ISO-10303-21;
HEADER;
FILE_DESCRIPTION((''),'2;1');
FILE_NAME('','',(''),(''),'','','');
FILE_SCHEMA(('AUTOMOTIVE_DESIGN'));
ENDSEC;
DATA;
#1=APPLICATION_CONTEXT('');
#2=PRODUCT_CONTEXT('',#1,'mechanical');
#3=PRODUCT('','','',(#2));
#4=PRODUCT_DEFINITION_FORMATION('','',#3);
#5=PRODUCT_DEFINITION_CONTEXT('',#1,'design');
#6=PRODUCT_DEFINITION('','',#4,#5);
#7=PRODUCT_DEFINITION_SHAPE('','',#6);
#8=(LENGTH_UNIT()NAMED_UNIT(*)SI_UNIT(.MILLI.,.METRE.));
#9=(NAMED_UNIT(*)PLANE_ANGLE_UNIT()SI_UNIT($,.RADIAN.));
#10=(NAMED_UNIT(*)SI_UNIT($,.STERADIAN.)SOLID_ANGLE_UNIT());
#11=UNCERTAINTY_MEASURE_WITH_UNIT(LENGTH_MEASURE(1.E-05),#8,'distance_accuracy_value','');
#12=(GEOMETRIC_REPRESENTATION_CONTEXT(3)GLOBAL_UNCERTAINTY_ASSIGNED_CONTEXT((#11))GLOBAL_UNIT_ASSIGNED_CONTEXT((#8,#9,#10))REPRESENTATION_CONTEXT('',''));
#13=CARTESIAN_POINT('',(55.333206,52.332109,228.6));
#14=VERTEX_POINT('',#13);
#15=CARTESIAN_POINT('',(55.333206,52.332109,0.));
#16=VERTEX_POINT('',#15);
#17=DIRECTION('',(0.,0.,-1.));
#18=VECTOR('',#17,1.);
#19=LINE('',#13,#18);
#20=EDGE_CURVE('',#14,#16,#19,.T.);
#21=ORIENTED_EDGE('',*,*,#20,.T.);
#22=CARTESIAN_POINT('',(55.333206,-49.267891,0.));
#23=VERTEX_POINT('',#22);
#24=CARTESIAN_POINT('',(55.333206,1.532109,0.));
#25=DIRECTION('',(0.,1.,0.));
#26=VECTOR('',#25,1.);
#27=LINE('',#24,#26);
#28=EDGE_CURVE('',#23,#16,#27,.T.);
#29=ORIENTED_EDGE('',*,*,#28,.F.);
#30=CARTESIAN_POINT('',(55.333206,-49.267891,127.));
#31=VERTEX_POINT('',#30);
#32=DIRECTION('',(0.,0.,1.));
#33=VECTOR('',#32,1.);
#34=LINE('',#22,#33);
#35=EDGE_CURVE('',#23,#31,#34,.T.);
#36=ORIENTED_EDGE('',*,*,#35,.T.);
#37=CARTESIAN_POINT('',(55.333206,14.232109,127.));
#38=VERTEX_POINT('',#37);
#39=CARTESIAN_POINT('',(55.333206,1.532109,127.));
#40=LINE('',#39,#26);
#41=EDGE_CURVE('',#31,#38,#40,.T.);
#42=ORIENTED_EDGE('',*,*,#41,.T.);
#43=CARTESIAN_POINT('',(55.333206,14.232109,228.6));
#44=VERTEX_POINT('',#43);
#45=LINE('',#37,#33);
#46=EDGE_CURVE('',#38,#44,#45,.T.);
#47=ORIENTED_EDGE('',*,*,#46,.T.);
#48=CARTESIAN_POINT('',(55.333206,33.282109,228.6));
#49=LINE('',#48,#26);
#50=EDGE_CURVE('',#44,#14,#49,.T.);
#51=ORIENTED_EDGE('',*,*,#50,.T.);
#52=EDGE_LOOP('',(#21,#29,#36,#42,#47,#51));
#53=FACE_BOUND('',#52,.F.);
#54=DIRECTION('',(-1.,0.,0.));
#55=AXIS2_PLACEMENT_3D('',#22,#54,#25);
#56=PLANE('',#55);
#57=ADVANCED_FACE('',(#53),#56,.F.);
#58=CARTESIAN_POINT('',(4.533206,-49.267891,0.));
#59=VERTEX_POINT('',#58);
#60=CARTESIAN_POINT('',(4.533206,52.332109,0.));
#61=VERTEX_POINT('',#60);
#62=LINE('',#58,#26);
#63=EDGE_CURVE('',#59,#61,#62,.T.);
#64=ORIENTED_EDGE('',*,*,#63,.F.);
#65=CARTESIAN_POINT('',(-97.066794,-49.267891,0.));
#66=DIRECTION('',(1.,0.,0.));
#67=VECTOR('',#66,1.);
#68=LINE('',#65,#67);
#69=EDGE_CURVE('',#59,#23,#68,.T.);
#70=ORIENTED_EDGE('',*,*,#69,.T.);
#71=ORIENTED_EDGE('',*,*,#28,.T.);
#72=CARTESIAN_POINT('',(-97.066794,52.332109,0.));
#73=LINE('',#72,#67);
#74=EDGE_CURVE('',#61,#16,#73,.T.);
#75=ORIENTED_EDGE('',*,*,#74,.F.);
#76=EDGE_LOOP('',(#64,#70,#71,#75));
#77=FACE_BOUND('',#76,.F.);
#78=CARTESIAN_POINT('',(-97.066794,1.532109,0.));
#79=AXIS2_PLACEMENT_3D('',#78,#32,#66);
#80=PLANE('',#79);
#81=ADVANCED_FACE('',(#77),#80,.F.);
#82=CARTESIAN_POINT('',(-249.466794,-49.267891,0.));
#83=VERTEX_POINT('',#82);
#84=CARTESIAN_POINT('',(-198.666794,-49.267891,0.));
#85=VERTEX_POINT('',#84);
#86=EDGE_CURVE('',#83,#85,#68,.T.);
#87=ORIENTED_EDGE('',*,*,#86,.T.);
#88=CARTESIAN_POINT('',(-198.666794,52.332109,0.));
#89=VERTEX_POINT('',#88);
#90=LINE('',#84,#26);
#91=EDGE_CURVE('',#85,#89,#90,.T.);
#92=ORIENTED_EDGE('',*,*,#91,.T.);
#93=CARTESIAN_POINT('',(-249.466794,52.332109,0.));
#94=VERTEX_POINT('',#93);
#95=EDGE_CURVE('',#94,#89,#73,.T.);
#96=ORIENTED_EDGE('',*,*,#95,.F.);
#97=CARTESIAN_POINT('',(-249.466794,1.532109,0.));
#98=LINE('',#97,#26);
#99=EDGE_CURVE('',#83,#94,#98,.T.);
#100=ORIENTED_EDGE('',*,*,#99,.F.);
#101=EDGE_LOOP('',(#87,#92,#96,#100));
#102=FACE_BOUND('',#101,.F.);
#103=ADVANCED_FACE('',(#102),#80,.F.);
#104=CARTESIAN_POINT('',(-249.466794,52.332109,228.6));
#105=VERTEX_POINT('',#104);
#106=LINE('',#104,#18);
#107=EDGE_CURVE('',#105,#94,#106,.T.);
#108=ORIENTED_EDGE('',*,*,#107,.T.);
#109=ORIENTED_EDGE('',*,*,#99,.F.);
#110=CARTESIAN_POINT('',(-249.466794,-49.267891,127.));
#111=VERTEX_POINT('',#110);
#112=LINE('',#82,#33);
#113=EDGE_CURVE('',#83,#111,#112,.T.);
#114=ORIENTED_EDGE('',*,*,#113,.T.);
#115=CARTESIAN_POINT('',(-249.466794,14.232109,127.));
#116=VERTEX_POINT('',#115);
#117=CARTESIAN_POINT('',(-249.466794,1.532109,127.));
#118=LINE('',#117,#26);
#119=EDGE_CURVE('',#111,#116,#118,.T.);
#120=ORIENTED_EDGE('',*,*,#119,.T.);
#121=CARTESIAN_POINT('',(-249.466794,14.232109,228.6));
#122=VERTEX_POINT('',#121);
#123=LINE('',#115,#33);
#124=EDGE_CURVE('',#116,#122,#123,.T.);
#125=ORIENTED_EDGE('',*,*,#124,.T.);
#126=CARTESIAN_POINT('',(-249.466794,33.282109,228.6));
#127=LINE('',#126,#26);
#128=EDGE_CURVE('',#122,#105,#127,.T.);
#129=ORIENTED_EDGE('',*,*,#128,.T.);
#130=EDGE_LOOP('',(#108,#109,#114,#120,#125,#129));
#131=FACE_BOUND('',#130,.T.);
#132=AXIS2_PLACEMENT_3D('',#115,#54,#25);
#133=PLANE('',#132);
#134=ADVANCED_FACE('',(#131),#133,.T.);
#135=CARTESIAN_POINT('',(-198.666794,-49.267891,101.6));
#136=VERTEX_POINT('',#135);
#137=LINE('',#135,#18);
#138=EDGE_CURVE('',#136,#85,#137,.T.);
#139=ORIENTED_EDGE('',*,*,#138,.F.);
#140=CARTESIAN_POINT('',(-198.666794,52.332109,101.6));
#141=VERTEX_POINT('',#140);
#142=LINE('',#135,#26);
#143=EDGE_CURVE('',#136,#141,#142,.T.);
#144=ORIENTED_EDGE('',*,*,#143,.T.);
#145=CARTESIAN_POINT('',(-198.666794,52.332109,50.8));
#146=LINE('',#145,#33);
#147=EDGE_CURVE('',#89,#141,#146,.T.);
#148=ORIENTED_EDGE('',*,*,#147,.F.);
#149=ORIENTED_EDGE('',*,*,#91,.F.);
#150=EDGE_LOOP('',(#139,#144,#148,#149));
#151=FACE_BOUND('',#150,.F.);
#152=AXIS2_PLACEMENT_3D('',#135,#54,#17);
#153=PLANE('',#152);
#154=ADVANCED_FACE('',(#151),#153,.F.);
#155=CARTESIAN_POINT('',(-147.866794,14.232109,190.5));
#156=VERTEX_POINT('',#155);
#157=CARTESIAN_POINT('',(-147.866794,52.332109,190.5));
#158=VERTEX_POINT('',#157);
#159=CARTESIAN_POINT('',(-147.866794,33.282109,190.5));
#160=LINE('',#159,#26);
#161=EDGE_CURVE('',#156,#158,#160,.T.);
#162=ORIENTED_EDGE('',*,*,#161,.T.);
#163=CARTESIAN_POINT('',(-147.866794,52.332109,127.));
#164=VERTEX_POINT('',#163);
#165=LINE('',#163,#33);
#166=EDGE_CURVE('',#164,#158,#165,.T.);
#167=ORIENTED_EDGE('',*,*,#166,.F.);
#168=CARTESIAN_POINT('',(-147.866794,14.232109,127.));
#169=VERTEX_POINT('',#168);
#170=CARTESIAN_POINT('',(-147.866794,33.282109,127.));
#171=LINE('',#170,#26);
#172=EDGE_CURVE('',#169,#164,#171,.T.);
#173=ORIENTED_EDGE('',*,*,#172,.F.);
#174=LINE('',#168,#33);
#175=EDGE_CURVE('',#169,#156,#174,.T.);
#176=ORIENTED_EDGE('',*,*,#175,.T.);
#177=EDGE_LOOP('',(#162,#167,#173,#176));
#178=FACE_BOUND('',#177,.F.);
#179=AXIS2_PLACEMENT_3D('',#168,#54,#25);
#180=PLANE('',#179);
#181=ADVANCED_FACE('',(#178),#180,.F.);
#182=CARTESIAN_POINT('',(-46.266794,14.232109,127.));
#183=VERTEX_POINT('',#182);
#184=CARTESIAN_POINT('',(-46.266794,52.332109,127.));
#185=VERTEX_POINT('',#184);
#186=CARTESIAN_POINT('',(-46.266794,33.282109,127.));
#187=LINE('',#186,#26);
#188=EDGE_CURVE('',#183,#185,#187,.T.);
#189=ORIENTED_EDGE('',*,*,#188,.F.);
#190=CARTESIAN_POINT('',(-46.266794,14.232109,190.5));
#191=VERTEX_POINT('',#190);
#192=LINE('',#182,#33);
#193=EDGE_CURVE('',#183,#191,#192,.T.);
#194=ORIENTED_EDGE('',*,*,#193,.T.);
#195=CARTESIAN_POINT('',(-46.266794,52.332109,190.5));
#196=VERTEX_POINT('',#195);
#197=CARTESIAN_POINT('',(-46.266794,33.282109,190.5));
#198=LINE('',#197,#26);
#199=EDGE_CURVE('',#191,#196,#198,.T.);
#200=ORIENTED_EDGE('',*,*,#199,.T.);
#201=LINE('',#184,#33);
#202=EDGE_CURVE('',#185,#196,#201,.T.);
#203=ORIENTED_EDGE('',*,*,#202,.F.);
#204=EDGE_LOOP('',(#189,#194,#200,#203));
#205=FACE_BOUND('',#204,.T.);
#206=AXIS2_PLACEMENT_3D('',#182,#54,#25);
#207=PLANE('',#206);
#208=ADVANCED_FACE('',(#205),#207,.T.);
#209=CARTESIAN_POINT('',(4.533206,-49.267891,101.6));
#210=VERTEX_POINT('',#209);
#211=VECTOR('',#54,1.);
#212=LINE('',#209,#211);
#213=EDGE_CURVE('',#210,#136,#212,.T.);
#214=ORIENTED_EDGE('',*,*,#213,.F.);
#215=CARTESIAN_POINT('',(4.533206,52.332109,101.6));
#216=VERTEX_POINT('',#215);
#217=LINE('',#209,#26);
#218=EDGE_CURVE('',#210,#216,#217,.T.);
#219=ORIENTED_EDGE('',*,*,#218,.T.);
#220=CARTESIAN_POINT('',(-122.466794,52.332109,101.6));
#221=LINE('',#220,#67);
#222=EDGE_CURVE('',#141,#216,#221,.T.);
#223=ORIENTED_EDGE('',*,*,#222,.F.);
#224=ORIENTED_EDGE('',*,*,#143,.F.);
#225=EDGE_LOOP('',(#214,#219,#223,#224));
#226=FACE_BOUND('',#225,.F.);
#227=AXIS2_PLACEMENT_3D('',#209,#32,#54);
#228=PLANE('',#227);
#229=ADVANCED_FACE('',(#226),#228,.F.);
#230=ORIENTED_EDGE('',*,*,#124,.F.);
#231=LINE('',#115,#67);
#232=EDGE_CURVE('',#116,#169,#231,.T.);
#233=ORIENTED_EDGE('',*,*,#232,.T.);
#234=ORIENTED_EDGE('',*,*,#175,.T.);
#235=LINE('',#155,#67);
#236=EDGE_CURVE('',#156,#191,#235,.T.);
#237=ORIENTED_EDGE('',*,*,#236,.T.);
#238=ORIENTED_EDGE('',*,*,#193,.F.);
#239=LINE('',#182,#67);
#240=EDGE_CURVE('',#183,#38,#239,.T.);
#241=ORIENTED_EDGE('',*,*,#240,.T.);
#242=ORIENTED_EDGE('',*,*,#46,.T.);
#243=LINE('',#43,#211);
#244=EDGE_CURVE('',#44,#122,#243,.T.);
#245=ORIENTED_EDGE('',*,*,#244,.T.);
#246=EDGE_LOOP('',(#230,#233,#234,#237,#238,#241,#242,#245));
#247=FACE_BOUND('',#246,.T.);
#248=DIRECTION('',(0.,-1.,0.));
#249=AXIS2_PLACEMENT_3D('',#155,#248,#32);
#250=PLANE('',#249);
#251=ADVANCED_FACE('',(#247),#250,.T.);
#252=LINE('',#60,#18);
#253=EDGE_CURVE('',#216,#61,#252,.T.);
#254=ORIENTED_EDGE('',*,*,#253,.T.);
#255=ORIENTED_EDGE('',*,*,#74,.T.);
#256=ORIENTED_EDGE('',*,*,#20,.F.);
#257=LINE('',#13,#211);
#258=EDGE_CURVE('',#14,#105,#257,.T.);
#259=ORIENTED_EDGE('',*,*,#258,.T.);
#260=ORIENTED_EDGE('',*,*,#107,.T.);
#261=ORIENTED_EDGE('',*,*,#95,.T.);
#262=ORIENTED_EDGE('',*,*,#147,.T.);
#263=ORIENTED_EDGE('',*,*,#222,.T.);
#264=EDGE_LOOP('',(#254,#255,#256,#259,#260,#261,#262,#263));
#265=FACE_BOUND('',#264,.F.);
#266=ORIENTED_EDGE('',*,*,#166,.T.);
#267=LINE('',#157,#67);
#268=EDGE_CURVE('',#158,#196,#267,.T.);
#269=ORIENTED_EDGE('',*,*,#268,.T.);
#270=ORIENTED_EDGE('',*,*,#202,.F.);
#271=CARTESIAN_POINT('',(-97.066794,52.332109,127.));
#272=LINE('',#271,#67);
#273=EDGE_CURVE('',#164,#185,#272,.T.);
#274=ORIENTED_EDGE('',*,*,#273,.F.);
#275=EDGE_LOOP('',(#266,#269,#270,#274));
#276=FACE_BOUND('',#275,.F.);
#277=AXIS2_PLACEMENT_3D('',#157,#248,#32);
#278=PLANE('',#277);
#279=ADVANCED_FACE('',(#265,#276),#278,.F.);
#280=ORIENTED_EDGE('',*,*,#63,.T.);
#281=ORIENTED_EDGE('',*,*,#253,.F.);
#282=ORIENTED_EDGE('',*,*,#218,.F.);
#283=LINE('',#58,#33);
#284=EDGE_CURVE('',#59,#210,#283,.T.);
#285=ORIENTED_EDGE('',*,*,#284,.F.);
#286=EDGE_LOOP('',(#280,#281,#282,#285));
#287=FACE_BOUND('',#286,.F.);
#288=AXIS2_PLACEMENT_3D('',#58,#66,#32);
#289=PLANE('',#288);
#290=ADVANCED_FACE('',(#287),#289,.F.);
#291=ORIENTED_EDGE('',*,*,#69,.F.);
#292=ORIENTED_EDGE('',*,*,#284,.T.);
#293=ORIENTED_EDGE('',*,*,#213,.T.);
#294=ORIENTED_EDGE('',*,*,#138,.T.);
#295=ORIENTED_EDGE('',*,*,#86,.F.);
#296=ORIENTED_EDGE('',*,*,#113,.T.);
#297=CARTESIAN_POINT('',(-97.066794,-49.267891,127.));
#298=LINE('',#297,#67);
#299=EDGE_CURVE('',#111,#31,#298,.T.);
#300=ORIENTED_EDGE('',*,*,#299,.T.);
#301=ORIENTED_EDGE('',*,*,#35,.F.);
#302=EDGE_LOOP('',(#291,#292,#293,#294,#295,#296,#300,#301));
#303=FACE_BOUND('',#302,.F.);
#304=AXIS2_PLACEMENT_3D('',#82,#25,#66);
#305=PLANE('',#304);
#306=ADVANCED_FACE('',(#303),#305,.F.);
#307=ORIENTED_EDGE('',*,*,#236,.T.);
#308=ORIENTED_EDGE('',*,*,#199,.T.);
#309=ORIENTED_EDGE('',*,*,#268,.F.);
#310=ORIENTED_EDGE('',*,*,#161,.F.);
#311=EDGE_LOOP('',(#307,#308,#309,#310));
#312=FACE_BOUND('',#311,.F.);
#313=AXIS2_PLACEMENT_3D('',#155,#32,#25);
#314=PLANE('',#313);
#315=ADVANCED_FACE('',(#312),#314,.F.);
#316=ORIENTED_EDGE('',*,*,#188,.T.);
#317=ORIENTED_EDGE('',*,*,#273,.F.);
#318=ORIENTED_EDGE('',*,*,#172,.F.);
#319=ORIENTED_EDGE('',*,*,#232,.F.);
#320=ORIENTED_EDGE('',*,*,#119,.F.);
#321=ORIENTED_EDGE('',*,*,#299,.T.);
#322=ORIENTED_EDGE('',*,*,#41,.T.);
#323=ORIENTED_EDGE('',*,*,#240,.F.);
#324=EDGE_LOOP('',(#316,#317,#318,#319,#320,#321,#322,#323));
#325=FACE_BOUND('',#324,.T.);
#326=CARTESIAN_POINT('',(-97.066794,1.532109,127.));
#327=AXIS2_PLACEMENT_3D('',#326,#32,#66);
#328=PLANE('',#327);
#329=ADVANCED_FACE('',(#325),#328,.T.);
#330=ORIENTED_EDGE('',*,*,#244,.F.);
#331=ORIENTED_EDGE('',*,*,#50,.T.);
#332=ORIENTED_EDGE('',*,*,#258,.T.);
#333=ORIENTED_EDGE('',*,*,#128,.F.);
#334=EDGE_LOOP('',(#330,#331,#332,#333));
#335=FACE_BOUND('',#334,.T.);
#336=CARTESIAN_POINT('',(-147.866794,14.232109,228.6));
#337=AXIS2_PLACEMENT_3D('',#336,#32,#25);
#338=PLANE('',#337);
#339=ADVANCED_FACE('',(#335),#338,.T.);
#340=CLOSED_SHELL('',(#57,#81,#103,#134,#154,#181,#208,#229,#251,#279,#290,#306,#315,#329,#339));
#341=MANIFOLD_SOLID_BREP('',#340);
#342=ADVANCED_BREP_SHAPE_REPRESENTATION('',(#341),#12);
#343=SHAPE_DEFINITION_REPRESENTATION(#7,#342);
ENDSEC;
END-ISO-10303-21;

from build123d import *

# Parameters (mm, degrees)
F0_W     = 304.8
F0_H     = 101.6
F1_DEPTH = 127
F3_DEPTH = 101.601
F4_W     = 50.8
F4_H     = 38.1
F5_DEPTH = 101.6
F6_W     = 38.1
F6_H     = 38.1
F7_DEPTH = 101.6


with BuildPart() as f1:
    # F0 (on Top) → F1 (new body)
    with BuildSketch(Plane.XY):
        with Locations((-97.066794, 1.532109)):
            Rectangle(F0_W, F0_H)
    extrude(amount=F1_DEPTH)

    # F2 (on face) → F3 (cut, through all)
    with BuildSketch(Plane.XZ.offset(49.267891)):
        Polygon((-198.666794, 63.5), (-198.666794, 0), (4.533206, 0), (4.533206, 63.5), (4.533206, 101.6), (-198.666794, 101.6), align=None)
    extrude(amount=-F3_DEPTH, mode=Mode.SUBTRACT)

    # F4 (on face) → F5 (join)
    with BuildSketch(Plane.XY.offset(127)):
        with Locations((-224.066794, 33.282109)):
            Rectangle(F4_W, F4_H)
        with Locations((-173.266794, 33.282109)):
            Rectangle(F4_W, F4_H)
        with Locations((-20.866794, 33.282109)):
            Rectangle(F4_W, F4_H)
        with Locations((29.933206, 33.282109)):
            Rectangle(F4_W, F4_H)
    extrude(amount=F5_DEPTH)

    # F6 (on face) → F7 (join)
    with BuildSketch(Plane.YZ.offset(-147.866794)):
        with Locations((33.282109, 209.55)):
            Rectangle(F6_W, F6_H)
    extrude(amount=F7_DEPTH)


solid = f1.part
